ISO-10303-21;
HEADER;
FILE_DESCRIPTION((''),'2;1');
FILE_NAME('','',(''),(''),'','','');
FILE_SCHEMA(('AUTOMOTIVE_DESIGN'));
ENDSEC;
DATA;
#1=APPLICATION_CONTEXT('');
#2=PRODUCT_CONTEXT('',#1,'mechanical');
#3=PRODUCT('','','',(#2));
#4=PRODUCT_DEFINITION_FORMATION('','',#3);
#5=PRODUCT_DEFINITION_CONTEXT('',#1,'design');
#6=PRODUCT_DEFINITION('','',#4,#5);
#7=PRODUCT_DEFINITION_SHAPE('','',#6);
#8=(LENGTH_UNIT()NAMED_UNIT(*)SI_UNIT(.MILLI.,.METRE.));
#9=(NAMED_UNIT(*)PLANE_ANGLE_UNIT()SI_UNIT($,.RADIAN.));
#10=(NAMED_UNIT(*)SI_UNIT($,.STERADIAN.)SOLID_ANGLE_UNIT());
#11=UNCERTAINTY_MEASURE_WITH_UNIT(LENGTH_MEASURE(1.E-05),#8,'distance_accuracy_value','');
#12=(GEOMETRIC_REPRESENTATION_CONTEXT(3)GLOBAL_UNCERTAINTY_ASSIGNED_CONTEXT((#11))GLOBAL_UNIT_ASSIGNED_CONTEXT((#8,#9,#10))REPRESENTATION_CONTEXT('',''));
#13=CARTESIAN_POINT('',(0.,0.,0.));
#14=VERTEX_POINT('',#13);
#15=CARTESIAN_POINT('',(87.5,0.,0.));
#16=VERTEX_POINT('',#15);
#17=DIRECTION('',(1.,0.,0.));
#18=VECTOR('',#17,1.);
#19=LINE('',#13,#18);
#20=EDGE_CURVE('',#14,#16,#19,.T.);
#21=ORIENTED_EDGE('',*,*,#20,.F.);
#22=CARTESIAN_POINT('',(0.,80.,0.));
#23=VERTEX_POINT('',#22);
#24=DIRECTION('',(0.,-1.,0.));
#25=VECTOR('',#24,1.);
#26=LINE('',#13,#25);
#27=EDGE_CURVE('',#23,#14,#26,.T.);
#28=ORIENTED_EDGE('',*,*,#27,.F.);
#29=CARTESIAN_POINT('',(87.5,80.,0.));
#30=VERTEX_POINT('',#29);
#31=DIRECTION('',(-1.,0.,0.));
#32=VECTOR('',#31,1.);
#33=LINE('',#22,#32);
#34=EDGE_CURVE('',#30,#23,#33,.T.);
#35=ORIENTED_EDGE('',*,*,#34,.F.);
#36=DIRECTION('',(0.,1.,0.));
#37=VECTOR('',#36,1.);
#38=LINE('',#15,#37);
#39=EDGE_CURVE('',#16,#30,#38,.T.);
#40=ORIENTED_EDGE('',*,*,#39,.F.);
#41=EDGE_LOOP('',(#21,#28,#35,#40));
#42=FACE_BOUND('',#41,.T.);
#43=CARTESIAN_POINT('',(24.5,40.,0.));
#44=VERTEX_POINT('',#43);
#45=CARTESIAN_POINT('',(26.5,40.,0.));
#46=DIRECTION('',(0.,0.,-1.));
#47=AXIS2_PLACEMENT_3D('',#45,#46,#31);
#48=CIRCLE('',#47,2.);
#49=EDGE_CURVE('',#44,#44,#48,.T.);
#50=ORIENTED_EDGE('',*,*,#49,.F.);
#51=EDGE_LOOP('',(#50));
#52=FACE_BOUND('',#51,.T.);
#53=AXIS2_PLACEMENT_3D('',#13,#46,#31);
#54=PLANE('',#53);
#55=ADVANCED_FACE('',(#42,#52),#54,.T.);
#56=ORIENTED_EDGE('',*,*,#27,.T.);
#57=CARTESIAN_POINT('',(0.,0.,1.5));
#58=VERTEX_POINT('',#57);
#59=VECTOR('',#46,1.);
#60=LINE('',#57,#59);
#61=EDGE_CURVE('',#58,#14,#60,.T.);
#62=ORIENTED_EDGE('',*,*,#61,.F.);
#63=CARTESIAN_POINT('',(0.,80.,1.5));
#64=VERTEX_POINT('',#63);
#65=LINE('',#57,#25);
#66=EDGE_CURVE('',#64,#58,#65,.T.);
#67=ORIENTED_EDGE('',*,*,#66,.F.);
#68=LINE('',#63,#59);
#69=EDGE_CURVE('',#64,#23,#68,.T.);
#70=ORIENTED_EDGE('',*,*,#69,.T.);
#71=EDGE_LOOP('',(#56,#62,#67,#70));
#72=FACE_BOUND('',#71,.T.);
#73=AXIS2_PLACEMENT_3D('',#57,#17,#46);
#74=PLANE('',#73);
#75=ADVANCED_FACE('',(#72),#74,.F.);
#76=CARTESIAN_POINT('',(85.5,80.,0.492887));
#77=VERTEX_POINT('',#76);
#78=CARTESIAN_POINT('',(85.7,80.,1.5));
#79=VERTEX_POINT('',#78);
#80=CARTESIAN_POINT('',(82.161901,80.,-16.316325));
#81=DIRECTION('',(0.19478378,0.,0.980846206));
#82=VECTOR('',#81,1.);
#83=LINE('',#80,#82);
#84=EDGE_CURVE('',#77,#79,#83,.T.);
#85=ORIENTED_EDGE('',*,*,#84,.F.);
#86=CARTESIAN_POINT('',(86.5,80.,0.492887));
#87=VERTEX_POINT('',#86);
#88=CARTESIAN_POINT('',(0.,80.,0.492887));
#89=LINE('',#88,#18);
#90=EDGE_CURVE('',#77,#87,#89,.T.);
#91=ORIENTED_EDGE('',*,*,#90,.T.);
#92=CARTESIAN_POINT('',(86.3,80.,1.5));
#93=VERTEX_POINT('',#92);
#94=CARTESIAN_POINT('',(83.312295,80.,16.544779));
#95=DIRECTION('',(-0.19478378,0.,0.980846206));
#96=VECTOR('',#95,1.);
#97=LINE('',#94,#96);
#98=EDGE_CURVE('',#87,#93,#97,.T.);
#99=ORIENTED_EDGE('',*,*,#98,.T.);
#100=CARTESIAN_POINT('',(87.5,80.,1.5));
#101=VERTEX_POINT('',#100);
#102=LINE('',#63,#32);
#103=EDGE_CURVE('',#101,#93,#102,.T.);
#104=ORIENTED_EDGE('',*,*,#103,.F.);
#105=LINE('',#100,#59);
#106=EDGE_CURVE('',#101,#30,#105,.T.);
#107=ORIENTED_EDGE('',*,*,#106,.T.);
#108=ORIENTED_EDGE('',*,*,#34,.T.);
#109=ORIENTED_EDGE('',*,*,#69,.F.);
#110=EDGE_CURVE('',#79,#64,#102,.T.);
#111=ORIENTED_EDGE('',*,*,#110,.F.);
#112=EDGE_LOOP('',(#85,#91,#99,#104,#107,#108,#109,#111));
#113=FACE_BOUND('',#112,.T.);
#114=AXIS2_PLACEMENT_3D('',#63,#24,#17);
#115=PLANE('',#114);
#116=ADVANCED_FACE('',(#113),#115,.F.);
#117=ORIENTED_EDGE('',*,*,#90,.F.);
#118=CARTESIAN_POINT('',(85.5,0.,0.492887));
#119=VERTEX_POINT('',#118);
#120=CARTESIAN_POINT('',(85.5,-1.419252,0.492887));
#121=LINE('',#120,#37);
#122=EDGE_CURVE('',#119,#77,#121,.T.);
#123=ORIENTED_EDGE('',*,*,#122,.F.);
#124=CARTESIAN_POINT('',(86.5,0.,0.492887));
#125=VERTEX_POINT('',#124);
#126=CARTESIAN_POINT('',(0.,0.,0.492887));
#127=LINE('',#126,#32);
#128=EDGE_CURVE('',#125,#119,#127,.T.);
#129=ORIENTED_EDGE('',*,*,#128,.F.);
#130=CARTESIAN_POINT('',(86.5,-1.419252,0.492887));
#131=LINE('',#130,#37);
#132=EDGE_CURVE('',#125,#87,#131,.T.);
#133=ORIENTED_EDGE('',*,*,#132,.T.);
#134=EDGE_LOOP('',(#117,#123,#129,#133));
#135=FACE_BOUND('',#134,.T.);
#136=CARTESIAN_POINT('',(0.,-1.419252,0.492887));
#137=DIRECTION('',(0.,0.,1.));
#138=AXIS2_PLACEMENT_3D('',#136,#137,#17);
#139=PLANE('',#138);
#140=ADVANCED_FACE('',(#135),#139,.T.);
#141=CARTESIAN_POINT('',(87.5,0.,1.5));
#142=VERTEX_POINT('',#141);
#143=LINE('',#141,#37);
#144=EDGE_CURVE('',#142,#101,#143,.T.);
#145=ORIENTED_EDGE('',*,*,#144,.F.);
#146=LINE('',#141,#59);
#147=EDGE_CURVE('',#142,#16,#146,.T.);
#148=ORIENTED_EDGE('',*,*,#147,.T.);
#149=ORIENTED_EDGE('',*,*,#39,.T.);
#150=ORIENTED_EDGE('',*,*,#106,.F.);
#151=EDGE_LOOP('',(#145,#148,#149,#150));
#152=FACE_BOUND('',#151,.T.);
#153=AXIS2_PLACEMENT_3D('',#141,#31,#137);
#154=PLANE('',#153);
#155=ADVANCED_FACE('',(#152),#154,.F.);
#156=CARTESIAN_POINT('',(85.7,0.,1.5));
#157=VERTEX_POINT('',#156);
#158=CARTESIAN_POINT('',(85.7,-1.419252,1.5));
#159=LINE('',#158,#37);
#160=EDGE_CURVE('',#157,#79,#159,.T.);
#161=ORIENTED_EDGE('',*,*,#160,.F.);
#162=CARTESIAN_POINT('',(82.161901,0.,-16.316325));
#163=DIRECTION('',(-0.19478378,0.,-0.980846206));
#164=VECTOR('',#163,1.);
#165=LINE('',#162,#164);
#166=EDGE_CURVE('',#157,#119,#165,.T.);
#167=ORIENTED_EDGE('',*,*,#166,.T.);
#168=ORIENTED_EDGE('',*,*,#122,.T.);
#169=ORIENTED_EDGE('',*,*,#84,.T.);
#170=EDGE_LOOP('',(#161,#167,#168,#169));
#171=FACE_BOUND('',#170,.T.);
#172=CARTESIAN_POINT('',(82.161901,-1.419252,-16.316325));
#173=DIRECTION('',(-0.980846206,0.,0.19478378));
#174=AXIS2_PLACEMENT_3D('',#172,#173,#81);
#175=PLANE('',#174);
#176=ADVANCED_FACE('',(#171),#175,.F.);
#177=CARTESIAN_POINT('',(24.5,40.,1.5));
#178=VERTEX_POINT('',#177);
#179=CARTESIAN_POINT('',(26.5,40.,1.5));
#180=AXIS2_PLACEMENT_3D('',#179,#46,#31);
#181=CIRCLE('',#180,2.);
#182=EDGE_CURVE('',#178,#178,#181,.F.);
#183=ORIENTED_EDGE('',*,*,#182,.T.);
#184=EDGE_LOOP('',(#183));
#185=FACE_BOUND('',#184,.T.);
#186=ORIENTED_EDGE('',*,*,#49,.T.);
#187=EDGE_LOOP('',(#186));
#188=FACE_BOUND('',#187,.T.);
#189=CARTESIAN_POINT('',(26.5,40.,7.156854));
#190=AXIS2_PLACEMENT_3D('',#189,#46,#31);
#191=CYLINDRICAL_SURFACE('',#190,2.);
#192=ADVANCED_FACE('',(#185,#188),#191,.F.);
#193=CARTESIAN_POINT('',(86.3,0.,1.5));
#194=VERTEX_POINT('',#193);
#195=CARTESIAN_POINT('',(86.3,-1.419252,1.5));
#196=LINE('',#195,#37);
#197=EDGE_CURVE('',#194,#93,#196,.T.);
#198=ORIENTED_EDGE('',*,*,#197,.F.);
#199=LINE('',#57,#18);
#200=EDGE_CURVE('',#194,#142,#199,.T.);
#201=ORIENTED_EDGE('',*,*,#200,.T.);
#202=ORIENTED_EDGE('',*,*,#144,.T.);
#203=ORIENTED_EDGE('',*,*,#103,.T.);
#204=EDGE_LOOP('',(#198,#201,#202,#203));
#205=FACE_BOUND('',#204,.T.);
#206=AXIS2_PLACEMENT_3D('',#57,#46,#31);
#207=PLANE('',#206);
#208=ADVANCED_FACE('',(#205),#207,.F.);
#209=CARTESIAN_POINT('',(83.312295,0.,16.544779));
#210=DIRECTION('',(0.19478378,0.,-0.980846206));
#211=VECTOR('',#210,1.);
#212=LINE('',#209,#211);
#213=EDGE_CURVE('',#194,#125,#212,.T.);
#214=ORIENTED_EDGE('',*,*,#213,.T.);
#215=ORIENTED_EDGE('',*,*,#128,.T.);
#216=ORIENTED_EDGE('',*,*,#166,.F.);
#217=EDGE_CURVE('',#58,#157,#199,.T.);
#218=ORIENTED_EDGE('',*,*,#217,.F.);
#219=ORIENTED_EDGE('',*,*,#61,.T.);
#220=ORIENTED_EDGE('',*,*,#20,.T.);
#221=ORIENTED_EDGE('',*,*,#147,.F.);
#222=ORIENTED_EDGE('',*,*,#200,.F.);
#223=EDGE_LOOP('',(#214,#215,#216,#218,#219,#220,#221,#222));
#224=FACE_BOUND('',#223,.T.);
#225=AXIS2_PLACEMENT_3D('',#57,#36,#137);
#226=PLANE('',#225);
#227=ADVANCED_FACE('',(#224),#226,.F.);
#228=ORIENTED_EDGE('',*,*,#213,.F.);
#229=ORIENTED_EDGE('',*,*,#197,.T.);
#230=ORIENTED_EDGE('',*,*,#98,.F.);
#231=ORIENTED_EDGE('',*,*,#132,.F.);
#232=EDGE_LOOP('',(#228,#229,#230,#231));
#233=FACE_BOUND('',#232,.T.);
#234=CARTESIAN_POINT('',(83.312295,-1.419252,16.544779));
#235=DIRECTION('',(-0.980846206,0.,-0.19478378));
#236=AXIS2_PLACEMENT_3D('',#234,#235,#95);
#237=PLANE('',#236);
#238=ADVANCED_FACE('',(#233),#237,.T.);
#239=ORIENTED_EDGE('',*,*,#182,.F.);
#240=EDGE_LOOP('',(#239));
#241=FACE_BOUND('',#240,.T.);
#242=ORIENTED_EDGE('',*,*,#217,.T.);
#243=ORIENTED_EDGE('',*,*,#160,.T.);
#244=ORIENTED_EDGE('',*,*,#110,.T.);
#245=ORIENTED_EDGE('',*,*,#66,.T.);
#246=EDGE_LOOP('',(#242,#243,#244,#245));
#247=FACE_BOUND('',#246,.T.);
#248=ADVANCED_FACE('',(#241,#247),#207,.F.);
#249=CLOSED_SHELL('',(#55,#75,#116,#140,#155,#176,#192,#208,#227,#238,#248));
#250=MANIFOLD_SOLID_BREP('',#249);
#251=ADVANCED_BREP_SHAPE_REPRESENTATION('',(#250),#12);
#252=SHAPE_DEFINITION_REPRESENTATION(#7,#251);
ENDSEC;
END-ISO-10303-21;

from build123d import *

# Parameters (mm, degrees)
SKETCH1_W           = 87.5
SKETCH1_H           = 80
BOSS_EXTRUDE1_DEPTH = 1.5
CUT_EXTRUDE1_DEPTH  = 80
SKETCH3_R           = 2
CUT_EXTRUDE2_DEPTH  = 1.5


with BuildPart() as part:
    # Sketch1 → Boss-Extrude1 (new body)
    with BuildSketch(Plane.XY):
        with Locations((43.75, 40)):
            Rectangle(SKETCH1_W, SKETCH1_H)
    extrude(amount=BOSS_EXTRUDE1_DEPTH)

    # Sketch2 → Cut-Extrude1 (cut)
    with BuildSketch(Plane(origin=(0, 80, 0), x_dir=(1, 0, 0), z_dir=(0, 1, 0))):
        Polygon((86.5, -0.492887182), (85.5, -0.492887182), (85.7, -1.5), (86.3, -1.5), align=None)
    extrude(amount=-CUT_EXTRUDE1_DEPTH, mode=Mode.SUBTRACT)

    # Sketch3 → Cut-Extrude2 (cut)
    with BuildSketch(Plane(origin=(0, 0, 0), x_dir=(-1, 0, 0), z_dir=(0, 0, -1))):
        with Locations((-26.5, 40)):
            Circle(SKETCH3_R)
    extrude(amount=-CUT_EXTRUDE2_DEPTH, mode=Mode.SUBTRACT)


solid = part.part
